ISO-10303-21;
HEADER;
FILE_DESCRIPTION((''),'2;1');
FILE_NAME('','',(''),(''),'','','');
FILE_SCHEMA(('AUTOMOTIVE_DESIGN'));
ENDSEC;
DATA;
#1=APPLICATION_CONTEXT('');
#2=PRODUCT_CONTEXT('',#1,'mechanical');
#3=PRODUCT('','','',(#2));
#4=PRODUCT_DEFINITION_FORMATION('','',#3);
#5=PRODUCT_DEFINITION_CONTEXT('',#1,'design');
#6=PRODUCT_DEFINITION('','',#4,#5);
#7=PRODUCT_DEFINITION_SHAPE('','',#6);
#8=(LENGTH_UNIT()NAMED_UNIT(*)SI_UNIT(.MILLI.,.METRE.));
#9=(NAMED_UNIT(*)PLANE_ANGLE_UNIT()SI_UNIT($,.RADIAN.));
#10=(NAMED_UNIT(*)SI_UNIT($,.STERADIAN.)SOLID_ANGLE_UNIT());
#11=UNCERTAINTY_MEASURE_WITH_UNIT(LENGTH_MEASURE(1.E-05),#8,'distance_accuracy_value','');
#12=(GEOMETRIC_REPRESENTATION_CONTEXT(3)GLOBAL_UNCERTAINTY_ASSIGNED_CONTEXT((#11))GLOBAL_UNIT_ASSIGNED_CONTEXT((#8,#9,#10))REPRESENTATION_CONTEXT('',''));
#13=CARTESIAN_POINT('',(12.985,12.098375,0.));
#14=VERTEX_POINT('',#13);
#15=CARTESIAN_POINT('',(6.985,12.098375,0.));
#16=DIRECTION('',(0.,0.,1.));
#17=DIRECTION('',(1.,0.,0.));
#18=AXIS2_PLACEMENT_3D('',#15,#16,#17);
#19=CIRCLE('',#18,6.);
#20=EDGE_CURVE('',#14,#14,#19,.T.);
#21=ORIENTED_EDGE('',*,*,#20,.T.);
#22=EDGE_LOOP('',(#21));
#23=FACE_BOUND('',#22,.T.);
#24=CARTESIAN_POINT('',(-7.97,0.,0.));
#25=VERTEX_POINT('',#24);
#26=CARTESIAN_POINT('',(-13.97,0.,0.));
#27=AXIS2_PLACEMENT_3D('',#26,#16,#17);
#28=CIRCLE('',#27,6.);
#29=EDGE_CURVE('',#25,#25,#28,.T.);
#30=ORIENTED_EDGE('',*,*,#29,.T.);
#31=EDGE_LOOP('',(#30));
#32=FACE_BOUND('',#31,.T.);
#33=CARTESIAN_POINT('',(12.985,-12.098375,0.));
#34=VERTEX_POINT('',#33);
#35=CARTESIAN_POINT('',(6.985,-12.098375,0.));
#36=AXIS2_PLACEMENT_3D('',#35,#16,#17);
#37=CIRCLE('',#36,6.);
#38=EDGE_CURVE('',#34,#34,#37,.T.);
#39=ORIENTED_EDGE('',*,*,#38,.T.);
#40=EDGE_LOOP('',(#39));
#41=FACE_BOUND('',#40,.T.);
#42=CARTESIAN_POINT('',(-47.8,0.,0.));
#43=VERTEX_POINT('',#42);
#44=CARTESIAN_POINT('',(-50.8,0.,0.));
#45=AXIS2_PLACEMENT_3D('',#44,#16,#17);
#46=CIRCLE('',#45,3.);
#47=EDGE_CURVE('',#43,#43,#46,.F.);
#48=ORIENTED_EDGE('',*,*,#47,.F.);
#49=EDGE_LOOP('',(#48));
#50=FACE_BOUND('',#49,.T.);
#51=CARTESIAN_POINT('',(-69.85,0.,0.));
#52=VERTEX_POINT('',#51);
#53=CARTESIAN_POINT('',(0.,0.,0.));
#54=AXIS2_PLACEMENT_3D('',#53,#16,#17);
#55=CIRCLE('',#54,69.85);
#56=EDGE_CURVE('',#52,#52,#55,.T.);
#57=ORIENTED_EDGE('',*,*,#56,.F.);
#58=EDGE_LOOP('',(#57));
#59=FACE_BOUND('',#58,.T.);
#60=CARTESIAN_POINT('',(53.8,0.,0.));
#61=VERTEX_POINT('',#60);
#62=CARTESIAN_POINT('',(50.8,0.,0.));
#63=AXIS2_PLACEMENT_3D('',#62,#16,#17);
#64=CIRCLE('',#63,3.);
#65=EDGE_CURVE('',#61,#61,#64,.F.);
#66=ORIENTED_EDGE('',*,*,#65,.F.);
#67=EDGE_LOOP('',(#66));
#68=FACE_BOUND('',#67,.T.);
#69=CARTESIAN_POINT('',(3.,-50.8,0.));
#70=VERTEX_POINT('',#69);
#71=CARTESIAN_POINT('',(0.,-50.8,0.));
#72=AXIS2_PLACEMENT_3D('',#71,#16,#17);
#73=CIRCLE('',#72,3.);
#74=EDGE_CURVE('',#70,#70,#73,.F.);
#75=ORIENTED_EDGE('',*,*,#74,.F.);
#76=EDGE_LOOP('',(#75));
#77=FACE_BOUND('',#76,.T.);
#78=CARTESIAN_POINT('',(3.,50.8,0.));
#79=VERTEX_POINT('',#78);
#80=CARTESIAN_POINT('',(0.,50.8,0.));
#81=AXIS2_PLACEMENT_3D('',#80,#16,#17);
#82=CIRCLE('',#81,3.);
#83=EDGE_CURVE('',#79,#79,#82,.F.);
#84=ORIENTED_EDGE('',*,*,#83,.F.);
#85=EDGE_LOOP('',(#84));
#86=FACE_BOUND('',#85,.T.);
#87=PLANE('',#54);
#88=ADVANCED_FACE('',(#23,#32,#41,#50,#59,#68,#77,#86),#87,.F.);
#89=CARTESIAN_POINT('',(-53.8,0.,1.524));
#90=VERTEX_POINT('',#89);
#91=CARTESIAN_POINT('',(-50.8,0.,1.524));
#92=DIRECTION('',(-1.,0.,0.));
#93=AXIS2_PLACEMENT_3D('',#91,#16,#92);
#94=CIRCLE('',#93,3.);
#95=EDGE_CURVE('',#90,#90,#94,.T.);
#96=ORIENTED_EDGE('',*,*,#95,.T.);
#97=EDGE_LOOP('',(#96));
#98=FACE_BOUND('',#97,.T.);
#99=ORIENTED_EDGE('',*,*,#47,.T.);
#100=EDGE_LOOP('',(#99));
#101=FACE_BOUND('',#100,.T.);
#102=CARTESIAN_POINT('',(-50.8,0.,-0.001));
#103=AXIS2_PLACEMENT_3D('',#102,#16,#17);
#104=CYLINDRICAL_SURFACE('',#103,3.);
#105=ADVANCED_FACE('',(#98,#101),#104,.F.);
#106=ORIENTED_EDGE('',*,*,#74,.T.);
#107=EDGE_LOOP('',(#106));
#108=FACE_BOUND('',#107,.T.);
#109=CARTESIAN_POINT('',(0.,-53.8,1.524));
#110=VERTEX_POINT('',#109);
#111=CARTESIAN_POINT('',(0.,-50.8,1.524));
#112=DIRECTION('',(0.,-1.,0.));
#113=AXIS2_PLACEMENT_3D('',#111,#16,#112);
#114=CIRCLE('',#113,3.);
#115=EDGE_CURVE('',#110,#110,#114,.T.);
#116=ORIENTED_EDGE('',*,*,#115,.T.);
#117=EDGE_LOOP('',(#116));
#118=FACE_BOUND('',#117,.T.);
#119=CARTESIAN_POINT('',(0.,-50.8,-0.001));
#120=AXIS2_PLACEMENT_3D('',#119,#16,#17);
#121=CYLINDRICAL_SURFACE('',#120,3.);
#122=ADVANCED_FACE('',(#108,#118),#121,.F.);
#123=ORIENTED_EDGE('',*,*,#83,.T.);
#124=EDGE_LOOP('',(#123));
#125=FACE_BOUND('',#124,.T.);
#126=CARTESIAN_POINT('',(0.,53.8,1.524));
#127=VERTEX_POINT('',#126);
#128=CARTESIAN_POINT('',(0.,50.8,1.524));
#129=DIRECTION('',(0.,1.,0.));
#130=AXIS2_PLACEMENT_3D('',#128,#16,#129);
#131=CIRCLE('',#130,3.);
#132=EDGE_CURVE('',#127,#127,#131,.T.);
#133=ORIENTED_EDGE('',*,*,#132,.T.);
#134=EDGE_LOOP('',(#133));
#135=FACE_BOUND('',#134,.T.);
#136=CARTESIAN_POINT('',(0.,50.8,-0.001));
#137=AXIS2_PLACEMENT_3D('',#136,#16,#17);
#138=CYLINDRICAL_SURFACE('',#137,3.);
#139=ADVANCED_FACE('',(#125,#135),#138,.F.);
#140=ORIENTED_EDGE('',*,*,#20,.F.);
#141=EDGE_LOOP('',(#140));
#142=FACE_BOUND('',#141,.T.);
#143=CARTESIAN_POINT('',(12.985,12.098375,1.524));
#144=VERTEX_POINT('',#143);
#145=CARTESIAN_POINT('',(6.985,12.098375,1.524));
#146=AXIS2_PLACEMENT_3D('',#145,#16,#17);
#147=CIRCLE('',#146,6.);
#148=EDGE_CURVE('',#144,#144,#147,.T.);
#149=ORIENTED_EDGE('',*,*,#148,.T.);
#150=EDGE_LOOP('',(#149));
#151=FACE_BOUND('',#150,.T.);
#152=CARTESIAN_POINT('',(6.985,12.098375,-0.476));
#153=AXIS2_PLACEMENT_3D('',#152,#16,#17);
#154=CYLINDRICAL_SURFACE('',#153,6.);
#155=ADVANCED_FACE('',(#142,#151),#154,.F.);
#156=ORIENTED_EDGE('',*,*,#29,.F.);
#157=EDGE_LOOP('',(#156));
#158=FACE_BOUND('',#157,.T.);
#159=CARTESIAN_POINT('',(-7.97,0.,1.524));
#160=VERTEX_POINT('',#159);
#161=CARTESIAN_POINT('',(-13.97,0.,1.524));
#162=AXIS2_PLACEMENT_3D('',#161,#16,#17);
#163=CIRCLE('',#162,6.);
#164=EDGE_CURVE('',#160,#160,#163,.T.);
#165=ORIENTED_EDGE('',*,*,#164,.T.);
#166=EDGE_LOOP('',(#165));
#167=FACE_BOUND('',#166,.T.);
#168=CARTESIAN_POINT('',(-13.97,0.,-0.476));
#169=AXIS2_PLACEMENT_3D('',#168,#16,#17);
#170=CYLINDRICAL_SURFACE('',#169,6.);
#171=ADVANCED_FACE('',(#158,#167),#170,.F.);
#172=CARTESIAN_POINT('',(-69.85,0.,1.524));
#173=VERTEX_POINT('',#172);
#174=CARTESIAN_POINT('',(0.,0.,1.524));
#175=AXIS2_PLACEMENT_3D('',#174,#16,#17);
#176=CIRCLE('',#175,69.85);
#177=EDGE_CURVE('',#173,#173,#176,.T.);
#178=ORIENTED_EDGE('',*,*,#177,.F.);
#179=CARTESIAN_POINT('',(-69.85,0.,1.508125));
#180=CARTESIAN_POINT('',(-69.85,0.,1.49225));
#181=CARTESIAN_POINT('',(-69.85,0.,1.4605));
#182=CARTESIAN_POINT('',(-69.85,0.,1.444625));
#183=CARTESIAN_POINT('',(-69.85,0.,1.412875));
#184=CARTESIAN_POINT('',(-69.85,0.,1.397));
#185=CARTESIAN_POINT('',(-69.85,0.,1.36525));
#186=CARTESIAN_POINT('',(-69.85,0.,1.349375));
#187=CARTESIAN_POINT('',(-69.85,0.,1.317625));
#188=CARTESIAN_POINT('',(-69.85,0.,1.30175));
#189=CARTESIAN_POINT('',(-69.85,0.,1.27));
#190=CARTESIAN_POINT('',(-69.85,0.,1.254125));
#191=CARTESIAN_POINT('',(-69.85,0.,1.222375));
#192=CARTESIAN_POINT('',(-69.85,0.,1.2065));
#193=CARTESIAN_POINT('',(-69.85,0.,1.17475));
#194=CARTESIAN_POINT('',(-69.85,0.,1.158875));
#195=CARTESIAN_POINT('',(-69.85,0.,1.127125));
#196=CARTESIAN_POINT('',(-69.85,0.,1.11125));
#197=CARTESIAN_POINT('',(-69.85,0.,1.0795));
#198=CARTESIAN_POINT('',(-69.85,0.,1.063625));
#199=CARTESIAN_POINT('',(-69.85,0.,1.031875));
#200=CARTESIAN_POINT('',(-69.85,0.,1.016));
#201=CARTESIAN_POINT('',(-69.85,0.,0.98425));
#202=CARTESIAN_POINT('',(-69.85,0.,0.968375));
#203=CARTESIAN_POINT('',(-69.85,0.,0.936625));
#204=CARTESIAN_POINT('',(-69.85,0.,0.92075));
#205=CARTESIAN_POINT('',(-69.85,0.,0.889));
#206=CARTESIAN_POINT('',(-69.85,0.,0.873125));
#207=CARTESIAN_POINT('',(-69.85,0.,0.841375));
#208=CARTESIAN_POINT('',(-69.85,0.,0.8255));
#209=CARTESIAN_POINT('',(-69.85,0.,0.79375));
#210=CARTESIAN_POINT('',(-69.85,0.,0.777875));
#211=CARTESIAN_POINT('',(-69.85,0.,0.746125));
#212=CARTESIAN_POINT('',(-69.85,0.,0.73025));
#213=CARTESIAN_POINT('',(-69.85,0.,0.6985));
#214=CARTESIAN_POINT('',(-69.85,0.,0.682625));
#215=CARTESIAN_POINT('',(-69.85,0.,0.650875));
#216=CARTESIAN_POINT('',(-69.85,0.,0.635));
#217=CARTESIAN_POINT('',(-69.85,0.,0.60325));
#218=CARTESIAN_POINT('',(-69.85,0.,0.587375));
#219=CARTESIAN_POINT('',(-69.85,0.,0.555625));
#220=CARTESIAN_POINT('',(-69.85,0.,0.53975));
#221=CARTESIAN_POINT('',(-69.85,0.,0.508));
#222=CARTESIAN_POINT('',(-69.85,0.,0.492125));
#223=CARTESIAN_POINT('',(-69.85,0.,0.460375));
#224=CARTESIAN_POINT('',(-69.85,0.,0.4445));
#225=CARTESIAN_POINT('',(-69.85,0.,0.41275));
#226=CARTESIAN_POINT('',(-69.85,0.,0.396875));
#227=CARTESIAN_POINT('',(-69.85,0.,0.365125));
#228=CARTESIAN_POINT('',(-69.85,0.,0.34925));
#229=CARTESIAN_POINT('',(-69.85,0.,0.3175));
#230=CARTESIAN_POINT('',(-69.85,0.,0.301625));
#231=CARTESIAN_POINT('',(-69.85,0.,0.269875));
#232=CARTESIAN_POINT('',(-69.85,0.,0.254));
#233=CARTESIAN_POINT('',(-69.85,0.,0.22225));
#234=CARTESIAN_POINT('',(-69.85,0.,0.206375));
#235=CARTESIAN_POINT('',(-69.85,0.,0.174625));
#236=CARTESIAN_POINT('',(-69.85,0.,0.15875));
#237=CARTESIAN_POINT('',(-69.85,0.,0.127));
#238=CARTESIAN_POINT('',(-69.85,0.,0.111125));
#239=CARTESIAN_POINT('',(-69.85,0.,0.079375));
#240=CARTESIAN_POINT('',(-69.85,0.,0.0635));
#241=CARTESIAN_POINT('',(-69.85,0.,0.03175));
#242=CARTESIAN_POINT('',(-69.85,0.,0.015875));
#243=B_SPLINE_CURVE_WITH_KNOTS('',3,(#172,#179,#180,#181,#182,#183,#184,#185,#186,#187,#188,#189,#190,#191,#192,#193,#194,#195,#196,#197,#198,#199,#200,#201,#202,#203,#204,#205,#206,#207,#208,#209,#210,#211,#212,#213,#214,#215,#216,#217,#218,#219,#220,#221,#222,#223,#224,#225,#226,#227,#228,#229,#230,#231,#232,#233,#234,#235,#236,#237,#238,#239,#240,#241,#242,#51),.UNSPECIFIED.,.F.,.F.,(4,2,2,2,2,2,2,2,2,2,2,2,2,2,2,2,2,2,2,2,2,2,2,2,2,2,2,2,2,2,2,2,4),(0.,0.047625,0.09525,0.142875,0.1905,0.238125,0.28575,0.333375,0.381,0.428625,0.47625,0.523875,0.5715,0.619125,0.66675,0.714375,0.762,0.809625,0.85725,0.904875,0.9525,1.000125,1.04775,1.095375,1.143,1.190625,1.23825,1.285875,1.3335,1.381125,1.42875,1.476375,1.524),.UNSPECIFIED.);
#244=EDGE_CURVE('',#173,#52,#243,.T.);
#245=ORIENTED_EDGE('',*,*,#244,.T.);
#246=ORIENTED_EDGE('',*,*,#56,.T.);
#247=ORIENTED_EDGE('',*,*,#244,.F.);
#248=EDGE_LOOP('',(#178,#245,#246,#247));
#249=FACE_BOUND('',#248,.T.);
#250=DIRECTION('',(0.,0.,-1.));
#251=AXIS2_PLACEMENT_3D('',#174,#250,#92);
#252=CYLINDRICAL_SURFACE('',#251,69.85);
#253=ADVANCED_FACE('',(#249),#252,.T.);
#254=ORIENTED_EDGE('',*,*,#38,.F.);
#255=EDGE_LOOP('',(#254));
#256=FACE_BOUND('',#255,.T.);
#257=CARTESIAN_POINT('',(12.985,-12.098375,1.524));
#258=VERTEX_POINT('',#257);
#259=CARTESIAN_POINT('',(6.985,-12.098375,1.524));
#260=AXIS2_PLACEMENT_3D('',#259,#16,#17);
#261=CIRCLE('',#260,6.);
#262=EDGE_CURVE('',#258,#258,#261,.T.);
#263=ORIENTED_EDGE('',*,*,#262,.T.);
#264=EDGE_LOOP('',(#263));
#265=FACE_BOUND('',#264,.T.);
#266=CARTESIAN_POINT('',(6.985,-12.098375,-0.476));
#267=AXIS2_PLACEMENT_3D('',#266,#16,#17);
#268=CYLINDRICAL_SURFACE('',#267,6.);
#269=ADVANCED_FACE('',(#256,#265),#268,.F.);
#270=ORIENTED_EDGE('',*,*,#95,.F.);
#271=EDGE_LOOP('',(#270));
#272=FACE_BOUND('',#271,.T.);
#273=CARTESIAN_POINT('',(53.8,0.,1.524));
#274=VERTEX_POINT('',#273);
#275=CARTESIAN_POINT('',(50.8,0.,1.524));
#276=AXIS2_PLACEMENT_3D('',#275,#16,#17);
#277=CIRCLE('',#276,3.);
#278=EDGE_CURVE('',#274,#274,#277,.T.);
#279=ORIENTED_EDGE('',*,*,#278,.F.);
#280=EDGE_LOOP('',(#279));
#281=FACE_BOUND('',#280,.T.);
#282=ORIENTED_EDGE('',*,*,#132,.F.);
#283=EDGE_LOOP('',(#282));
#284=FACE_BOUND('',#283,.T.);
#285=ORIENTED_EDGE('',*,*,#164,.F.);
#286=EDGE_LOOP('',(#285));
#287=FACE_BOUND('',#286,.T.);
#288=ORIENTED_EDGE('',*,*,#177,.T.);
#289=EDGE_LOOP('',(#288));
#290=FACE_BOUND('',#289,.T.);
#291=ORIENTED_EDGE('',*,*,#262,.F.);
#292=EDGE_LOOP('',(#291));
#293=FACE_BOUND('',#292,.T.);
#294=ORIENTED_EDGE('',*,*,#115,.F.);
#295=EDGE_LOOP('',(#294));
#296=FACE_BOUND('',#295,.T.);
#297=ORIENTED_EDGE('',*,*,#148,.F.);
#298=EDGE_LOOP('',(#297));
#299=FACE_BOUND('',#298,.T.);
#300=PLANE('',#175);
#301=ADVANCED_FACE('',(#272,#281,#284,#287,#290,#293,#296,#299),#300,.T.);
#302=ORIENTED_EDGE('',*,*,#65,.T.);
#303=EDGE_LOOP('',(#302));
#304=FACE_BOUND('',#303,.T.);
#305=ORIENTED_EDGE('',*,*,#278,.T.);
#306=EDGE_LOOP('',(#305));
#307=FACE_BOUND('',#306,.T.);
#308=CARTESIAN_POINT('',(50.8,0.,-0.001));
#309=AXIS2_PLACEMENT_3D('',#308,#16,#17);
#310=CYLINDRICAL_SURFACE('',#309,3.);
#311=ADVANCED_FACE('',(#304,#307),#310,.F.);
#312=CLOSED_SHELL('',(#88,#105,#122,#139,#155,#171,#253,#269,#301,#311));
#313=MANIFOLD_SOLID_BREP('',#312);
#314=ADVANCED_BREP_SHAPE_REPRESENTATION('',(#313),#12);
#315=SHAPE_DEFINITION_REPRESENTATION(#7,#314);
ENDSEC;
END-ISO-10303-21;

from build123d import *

# Parameters (mm, degrees)
SKETCH1_R           = 69.85
BOSS_EXTRUDE1_DEPTH = 1.524
SKETCH2_R           = 6
CUT_EXTRUDE1_DEPTH  = 2
CUT_EXTRUDE2_REACH  = 100.795
SKETCH3_R           = 3
CIRPATTERN1_COUNT   = 4


with BuildPart() as part:
    # Sketch1 → Boss-Extrude1 (new body)
    with BuildSketch(Plane.XY):
        with Locations(Location((0, 0, 0), (0, 0, 180))):
            Circle(SKETCH1_R)
    extrude(amount=BOSS_EXTRUDE1_DEPTH)

    # Sketch2 → Cut-Extrude1 (cut)
    with BuildSketch(Plane.XY.offset(1.524)):
        with Locations((-13.97, 0)):
            Circle(SKETCH2_R)
        with Locations((6.985, 12.098374891)):
            Circle(SKETCH2_R)
        with Locations((6.985, -12.098374891)):
            Circle(SKETCH2_R)
    extrude(amount=-CUT_EXTRUDE1_DEPTH, mode=Mode.SUBTRACT)

    # Sketch3 → Cut-Extrude2 (cut, up to next)
    with BuildSketch(Plane.XY.offset(1.524), mode=Mode.PRIVATE) as cut_extrude2_sk1:
        with Locations((50.8, 0)):
            Circle(SKETCH3_R)
    cut_extrude2_tool1 = extrude(cut_extrude2_sk1.sketch, amount=-CUT_EXTRUDE2_REACH, mode=Mode.PRIVATE) & part.part
    cut_extrude2 = cut_extrude2_tool1.solids().sort_by_distance((50.8, 0, 1.524))[0]
    add(cut_extrude2, mode=Mode.SUBTRACT)

    # CirPattern1: Cut-Extrude2 ×4 about axis
    cirpattern1_axis = Axis((0, 0, 0), (0, 0, 1))
    for i in range(1, CIRPATTERN1_COUNT):
        add(cut_extrude2.rotate(cirpattern1_axis, i * 360 / CIRPATTERN1_COUNT), mode=Mode.SUBTRACT)


solid = part.part
